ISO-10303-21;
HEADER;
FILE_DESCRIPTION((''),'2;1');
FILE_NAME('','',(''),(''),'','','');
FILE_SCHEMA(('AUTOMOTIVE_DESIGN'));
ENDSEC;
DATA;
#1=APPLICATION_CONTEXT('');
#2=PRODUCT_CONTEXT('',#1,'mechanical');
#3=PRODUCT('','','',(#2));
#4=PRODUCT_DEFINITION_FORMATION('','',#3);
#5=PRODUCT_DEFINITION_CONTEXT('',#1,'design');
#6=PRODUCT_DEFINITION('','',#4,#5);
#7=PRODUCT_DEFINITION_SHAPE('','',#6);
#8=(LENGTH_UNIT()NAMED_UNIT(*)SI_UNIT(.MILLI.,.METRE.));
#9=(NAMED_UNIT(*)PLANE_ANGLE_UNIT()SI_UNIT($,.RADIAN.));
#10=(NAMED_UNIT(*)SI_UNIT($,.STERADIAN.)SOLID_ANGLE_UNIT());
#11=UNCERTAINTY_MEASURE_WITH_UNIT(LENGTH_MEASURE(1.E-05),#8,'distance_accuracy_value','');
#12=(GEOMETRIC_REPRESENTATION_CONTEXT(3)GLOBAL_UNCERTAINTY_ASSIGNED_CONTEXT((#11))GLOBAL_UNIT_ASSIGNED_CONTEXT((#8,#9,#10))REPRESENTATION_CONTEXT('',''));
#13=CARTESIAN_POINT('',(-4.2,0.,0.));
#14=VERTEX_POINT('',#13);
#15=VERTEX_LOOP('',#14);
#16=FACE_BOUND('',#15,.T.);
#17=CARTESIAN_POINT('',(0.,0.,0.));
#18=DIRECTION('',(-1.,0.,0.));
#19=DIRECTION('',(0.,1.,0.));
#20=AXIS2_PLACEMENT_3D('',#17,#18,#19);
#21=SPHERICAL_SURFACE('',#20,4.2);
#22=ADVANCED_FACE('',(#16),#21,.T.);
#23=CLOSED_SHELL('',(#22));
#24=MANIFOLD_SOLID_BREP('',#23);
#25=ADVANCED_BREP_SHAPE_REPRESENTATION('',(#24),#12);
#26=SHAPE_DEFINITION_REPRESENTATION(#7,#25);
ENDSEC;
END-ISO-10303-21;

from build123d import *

# Parameters (mm, degrees)
SCALE1_SCALE = 0.35


with BuildPart() as part:
    # Sketch1 → Revolve1 (revolve)
    with BuildSketch(Plane.XY):
        with BuildLine():
            Line((-12, 0), (12, 0))
            ThreePointArc((12, 0), (0, -12), (-12, 0))
        make_face()
    revolve(axis=Axis((-12, 0, 0), (1, 0, 0)))


with BuildPart() as part_1:
    # Scale1: scaled about (0, 0, 0)
    add(part.part.scale(SCALE1_SCALE))


solid = part_1.part
